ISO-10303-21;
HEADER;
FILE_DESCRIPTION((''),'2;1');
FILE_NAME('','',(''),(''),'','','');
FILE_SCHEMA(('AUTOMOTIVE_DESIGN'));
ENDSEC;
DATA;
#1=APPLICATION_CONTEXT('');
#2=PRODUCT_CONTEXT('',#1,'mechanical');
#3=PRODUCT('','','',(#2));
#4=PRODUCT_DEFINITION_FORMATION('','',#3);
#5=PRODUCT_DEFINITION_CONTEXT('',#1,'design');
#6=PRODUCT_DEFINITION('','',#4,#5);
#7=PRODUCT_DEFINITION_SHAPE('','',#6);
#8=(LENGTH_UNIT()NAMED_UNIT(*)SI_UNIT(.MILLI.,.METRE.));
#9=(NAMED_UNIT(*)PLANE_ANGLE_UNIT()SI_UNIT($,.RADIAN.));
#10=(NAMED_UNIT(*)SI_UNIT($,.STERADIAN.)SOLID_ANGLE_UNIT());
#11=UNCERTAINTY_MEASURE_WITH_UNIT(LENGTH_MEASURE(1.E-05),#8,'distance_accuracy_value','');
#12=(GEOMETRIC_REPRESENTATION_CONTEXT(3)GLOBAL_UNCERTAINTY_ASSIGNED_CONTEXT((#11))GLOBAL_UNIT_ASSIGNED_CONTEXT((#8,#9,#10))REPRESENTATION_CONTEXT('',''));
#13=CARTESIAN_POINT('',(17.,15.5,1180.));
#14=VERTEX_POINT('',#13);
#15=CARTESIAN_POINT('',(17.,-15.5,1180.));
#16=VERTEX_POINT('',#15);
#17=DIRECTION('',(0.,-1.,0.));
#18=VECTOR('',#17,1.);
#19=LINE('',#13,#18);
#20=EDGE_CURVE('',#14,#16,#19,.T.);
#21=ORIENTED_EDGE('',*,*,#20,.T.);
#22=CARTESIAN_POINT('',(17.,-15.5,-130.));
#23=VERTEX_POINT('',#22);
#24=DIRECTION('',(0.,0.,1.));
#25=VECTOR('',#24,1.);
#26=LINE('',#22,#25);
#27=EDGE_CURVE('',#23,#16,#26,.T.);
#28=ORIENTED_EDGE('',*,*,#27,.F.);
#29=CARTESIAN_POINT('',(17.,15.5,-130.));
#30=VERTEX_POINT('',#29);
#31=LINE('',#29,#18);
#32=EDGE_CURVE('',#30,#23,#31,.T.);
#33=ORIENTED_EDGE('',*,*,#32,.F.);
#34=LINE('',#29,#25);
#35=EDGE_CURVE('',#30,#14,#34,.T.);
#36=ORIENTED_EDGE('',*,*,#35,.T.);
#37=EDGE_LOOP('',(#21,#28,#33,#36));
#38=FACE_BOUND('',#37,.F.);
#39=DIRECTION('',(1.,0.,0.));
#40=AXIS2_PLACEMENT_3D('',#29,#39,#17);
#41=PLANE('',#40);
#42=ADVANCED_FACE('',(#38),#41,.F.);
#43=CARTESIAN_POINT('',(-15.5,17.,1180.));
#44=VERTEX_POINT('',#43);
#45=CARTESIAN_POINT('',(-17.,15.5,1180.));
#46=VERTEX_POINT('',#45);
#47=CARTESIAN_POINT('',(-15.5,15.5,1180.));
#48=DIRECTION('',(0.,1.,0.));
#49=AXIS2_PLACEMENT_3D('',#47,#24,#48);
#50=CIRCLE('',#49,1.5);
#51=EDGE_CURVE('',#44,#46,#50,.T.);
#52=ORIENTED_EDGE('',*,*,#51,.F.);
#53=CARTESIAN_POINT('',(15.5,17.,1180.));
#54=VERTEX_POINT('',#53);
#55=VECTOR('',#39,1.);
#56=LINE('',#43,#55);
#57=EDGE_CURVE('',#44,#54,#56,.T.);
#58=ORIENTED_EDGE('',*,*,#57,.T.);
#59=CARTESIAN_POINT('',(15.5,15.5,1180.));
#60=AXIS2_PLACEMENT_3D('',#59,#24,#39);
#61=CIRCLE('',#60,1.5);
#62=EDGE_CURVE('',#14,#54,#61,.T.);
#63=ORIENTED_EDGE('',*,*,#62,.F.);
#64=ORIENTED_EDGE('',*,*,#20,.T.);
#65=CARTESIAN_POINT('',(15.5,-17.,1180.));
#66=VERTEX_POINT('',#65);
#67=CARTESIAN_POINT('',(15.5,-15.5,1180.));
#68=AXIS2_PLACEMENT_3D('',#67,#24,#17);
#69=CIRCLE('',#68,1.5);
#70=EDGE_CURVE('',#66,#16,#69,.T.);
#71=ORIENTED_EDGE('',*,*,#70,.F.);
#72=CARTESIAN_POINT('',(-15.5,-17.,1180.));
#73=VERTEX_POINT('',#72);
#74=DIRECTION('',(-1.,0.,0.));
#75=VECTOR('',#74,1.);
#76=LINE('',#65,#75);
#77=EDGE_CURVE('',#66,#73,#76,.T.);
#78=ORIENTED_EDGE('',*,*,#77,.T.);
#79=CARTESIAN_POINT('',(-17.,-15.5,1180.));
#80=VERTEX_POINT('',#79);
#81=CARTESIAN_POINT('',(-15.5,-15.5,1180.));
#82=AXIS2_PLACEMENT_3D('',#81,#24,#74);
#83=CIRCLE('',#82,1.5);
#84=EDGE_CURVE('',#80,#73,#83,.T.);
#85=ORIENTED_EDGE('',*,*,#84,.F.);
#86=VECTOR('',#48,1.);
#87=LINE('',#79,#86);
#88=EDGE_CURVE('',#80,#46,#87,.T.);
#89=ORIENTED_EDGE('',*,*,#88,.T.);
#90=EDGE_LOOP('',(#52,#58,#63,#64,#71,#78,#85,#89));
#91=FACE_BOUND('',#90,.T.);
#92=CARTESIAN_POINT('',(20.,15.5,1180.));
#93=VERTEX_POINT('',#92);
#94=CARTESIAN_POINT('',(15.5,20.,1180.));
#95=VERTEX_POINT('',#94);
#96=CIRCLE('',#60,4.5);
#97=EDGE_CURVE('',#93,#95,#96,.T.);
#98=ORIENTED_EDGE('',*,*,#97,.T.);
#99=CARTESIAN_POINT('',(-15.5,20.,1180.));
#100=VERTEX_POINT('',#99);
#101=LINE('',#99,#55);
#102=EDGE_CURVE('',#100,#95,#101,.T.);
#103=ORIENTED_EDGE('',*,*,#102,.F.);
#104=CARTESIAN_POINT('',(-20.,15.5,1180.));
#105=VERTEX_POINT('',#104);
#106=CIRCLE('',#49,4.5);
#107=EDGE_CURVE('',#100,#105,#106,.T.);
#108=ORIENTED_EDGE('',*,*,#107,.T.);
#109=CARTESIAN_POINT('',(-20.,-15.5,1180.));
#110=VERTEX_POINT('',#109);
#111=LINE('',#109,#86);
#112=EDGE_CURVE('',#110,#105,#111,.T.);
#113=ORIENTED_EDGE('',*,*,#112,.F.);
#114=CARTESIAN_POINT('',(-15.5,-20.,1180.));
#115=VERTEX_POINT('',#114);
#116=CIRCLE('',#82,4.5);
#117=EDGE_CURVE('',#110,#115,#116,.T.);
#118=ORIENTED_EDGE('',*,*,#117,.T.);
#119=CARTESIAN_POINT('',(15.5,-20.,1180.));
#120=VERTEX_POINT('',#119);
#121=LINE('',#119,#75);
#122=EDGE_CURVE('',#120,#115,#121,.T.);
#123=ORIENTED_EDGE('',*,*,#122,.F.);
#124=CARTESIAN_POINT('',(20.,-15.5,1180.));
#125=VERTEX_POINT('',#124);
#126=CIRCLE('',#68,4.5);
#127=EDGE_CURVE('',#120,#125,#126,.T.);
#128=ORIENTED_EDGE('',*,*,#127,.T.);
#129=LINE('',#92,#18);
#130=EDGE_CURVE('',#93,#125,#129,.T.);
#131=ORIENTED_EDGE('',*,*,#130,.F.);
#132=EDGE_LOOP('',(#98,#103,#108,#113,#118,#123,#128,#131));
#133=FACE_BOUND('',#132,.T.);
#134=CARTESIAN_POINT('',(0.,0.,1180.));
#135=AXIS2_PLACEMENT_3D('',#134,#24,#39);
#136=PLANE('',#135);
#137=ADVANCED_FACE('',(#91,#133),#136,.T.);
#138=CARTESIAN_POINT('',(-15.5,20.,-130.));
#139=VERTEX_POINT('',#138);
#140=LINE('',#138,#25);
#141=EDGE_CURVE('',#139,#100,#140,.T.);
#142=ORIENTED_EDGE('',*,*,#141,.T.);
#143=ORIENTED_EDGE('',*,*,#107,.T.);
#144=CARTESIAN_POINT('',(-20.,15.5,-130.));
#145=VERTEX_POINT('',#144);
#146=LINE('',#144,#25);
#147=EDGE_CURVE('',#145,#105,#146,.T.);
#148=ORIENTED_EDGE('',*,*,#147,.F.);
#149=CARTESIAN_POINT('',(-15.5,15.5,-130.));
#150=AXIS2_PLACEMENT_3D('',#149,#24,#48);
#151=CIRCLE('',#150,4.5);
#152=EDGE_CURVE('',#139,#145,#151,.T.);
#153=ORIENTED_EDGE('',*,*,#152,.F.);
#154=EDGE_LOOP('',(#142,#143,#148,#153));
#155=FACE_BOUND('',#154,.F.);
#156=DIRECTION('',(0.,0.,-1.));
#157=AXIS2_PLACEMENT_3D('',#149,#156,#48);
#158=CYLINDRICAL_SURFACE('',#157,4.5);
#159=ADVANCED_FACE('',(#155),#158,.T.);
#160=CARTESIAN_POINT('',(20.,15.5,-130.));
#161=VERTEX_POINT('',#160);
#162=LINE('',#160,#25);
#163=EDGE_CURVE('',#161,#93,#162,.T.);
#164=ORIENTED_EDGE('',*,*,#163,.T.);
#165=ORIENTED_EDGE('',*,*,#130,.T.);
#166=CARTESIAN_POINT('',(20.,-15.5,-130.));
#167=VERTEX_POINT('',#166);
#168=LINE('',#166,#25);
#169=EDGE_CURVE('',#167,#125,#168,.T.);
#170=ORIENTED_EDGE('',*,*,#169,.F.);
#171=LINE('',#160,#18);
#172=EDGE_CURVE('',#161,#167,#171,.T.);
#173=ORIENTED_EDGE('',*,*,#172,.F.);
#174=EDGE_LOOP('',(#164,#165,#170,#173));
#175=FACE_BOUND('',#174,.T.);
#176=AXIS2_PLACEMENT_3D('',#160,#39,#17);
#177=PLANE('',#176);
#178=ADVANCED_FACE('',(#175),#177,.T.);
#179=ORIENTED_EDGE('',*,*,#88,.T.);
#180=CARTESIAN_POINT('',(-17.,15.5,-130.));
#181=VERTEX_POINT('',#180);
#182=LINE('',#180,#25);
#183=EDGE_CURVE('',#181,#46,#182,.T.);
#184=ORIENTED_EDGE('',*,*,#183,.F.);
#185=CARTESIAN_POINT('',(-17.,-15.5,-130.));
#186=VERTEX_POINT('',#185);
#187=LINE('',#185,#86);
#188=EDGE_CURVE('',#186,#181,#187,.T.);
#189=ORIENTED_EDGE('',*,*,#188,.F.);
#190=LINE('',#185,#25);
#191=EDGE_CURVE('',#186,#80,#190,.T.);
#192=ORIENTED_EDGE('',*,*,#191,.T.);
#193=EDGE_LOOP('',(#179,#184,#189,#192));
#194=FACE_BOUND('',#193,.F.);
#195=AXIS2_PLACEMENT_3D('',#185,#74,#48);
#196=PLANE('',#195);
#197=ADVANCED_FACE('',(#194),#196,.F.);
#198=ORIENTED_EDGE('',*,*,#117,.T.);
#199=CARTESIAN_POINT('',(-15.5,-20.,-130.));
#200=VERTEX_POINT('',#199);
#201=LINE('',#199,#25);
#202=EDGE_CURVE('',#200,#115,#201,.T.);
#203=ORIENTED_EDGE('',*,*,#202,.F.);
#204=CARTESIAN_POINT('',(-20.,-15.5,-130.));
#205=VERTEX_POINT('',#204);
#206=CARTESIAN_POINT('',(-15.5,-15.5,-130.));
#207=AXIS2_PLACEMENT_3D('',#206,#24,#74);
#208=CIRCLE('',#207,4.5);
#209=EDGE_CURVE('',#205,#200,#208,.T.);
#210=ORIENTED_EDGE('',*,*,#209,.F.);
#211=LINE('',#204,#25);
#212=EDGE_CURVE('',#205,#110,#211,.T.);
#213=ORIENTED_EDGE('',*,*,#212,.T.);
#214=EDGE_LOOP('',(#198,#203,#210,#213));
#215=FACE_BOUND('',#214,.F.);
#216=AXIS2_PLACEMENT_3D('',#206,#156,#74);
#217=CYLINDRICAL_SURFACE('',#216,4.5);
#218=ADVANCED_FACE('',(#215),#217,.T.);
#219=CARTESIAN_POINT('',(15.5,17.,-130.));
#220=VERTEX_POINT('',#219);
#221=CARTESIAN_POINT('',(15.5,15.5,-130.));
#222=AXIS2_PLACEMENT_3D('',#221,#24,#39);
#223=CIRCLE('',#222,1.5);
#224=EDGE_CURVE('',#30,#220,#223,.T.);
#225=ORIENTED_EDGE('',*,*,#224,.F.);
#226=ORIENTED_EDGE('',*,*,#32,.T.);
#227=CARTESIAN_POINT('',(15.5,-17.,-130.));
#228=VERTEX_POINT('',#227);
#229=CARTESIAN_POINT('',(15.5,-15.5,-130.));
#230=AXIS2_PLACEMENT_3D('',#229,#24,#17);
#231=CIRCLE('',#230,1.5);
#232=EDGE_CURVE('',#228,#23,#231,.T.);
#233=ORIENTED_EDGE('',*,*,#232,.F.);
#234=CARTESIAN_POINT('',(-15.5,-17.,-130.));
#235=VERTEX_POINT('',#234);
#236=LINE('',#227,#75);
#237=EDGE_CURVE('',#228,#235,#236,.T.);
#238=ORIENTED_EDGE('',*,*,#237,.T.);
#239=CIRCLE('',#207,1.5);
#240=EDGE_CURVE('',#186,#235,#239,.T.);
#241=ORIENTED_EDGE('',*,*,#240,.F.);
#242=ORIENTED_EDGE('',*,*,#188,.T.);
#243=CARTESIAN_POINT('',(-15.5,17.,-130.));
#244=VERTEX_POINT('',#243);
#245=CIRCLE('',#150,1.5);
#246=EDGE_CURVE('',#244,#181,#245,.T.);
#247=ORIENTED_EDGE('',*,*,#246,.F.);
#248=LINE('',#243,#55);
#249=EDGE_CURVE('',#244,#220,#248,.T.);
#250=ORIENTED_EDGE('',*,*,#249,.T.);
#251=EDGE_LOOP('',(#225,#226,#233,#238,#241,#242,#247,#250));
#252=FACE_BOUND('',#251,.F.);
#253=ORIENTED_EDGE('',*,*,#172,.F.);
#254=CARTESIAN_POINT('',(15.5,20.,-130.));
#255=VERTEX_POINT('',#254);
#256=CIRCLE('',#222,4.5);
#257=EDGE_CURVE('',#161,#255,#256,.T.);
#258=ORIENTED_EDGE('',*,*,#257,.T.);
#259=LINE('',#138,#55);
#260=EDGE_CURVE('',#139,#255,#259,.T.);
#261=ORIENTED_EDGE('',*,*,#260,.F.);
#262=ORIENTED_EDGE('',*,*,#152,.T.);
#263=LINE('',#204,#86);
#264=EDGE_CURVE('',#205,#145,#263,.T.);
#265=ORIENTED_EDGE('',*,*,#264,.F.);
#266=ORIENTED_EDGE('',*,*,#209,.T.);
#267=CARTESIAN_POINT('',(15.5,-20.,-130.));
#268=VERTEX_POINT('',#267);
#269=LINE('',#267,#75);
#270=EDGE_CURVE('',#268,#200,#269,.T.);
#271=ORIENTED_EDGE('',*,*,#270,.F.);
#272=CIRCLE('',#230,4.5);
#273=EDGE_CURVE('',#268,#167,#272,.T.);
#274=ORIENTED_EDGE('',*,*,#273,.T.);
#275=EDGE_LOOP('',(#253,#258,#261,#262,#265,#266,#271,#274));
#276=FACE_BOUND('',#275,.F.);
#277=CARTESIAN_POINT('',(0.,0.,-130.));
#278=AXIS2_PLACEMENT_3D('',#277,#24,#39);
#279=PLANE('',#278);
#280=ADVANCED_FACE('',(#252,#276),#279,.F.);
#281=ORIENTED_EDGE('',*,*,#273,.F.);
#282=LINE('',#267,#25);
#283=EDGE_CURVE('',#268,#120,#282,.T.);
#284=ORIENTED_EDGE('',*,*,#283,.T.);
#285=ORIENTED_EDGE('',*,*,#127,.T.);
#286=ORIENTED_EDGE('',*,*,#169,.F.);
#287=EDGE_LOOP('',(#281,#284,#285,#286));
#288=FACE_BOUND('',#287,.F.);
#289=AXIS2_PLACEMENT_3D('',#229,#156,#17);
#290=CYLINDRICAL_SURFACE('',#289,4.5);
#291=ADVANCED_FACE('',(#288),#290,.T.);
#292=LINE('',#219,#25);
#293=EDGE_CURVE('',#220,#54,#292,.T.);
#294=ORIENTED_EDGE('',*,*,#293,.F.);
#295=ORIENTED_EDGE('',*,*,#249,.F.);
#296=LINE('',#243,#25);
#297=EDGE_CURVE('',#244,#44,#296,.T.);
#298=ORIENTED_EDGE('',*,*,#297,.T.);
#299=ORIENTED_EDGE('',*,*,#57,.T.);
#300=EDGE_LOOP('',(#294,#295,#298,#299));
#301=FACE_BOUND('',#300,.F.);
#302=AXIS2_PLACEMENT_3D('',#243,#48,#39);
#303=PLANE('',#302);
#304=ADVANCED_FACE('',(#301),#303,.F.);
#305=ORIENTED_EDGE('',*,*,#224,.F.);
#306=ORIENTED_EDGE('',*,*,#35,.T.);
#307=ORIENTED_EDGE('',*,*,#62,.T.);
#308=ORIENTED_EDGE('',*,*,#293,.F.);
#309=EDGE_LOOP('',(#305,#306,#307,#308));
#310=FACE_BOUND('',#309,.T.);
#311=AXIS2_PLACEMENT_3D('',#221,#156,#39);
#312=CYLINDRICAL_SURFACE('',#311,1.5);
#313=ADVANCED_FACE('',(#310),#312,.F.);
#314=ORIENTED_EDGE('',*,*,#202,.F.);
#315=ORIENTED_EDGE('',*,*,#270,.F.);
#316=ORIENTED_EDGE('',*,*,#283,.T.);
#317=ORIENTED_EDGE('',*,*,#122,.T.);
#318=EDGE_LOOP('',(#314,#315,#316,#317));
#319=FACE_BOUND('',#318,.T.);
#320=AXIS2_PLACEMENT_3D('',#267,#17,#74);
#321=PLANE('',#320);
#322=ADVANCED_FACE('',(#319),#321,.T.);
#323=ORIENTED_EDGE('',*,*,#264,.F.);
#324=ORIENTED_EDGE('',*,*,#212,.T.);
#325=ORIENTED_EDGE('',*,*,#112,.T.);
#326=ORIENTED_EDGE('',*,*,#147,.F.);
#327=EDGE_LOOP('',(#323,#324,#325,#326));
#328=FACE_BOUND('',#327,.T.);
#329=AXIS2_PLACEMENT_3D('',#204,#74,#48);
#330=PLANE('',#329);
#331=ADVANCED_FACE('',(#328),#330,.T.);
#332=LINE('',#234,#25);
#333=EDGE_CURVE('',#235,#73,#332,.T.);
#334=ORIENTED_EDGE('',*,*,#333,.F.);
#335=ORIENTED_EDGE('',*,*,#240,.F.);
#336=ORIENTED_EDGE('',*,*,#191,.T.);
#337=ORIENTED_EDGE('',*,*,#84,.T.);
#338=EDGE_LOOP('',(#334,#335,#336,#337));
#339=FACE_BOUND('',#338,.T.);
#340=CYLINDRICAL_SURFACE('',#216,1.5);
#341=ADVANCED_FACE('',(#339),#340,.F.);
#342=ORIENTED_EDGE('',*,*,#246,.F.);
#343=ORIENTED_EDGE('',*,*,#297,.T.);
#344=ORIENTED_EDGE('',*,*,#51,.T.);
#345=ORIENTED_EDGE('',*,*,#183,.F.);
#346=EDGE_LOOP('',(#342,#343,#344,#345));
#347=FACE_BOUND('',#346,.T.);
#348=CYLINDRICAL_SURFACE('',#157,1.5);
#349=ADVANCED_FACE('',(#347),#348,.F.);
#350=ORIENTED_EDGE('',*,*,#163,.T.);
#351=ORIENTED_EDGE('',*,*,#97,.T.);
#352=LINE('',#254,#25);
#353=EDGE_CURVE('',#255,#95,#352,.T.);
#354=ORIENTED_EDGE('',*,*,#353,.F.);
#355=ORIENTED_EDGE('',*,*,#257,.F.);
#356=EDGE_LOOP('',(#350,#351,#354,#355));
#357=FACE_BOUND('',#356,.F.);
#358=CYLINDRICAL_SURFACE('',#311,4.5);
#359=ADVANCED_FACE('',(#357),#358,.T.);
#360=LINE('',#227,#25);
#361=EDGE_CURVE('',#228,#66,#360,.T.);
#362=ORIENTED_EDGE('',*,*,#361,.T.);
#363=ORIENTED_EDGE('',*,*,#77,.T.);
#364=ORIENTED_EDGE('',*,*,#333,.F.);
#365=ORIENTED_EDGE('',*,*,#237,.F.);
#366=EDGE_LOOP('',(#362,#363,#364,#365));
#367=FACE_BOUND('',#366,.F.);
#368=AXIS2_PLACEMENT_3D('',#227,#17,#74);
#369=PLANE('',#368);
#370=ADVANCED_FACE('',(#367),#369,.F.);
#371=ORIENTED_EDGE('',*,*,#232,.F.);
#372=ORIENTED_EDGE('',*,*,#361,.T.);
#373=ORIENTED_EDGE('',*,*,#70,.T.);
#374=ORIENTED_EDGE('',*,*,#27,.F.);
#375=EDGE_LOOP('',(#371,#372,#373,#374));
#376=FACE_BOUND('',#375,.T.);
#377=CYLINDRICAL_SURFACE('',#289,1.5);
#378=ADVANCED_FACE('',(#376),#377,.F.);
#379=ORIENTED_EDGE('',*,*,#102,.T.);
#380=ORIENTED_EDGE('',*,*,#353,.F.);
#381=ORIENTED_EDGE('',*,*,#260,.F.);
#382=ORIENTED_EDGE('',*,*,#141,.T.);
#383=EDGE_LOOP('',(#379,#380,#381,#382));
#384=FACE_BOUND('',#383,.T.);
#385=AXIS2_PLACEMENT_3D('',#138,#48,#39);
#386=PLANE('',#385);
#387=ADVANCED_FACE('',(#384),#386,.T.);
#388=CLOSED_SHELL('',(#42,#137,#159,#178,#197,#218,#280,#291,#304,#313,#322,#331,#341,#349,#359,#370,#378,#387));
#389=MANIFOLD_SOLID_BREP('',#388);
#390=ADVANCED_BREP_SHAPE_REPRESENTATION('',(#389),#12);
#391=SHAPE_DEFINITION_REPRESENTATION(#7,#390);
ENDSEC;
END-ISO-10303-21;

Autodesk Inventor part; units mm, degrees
ref_plane "Start Plane" through (0, 0, -130) normal (0, 0, 1) x (1, 0, 0)
ref_plane "End Plane" through (0, 0, 1180) normal (0, 0, 1) x (1, 0, 0)
sketch "Sketch" plane through (0, 0, 0) normal (0, 0, 1) x (1, 0, 0)
  line L0 (-20, -15.5) -> (-20, 15.5)
  line L1 (-15.5, 20) -> (15.5, 20)
  line L2 (20, 15.5) -> (20, -15.5)
  line L3 (15.5, -20) -> (-15.5, -20)
  arc A0 (-20, -15.5) -> (-15.5, -20) centre (-15.5, -15.5) ccw
  arc A1 (-15.5, 20) -> (-20, 15.5) centre (-15.5, 15.5) ccw
  arc A2 (20, 15.5) -> (15.5, 20) centre (15.5, 15.5) ccw
  arc A3 (15.5, -20) -> (20, -15.5) centre (15.5, -15.5) ccw
  arc A4 (-15.5, 17) -> (-17, 15.5) centre (-15.5, 15.5) ccw
  line L4 (-15.5, 17) -> (15.5, 17)
  arc A5 (17, 15.5) -> (15.5, 17) centre (15.5, 15.5) ccw
  line L5 (17, 15.5) -> (17, -15.5)
  arc A6 (15.5, -17) -> (17, -15.5) centre (15.5, -15.5) ccw
  line L6 (15.5, -17) -> (-15.5, -17)
  arc A7 (-17, -15.5) -> (-15.5, -17) centre (-15.5, -15.5) ccw
  line L7 (-17, -15.5) -> (-17, 15.5)
  line L8 (0, 29.3048) -> (0, -29.3048) construction
  line L9 (-29.3048, 0) -> (29.3048, 0) construction
  dimension "d7" = 4.5
  dimension "d10" = 40
  dimension "d11" = 40
  dimension "d12" = 3
  dimension "d15" = 20
  dimension "d16" = 20
extrude "Body" add sketch "Sketch" along normal up to surface (1310 mm away) from surface at -130
sketch "Sketch3" plane through (0, 0, 0) normal (0, 0, 1) x (1, 0, 0)
  line L0 (0, 0) -> (10, 0)
ref_plane "Work Plane3" through (0, 0, 0) normal (0, -1, 0) x (1, 0, 0)
ref_plane "Work Plane4" through (984.5, 2000, -130) normal (0, 0, -1) x (-1, 0, 0)
split "Split1" plane through (984.5, 2000, -130) removes the side toward (0, 0, -1)
ref_plane "Work Plane5" through (15.5, 2000, 1180) normal (0, 0, 1) x (1, 0, 0)
split "Split2" plane through (15.5, 2000, 1180) removes the side toward (0, 0, 1)
sketch "Sketch4" plane through (0, 0, 0) normal (0, -1, 0) x (1, 0, 0)
  line L0 (-2, -130) -> (12, -130) projected
  line L1 (-2, 1180) -> (12, 1180) projected
  dimension "d18" = 1310
equation "\"d7\" = G_IR"
equation "\"d10\" = G_H"
equation "\"d11\" = G_W"
equation "\"d12\" = G_T"
equation "\"d15\" = 0.5 * d10"
equation "\"d16\" = 0.5 * d11"
equation "\"d3\" = G_L"
equation "\"G_W\" = 40"
equation "\"G_H\" = 40"
equation "\"G_T\" = 3"
equation "\"G_IR\" = 4.5"
equation "\"G_L\" = d18"
properties part number "ISO 12633-2 - 40x40x3 - 1310" material "Steel, Mild"
